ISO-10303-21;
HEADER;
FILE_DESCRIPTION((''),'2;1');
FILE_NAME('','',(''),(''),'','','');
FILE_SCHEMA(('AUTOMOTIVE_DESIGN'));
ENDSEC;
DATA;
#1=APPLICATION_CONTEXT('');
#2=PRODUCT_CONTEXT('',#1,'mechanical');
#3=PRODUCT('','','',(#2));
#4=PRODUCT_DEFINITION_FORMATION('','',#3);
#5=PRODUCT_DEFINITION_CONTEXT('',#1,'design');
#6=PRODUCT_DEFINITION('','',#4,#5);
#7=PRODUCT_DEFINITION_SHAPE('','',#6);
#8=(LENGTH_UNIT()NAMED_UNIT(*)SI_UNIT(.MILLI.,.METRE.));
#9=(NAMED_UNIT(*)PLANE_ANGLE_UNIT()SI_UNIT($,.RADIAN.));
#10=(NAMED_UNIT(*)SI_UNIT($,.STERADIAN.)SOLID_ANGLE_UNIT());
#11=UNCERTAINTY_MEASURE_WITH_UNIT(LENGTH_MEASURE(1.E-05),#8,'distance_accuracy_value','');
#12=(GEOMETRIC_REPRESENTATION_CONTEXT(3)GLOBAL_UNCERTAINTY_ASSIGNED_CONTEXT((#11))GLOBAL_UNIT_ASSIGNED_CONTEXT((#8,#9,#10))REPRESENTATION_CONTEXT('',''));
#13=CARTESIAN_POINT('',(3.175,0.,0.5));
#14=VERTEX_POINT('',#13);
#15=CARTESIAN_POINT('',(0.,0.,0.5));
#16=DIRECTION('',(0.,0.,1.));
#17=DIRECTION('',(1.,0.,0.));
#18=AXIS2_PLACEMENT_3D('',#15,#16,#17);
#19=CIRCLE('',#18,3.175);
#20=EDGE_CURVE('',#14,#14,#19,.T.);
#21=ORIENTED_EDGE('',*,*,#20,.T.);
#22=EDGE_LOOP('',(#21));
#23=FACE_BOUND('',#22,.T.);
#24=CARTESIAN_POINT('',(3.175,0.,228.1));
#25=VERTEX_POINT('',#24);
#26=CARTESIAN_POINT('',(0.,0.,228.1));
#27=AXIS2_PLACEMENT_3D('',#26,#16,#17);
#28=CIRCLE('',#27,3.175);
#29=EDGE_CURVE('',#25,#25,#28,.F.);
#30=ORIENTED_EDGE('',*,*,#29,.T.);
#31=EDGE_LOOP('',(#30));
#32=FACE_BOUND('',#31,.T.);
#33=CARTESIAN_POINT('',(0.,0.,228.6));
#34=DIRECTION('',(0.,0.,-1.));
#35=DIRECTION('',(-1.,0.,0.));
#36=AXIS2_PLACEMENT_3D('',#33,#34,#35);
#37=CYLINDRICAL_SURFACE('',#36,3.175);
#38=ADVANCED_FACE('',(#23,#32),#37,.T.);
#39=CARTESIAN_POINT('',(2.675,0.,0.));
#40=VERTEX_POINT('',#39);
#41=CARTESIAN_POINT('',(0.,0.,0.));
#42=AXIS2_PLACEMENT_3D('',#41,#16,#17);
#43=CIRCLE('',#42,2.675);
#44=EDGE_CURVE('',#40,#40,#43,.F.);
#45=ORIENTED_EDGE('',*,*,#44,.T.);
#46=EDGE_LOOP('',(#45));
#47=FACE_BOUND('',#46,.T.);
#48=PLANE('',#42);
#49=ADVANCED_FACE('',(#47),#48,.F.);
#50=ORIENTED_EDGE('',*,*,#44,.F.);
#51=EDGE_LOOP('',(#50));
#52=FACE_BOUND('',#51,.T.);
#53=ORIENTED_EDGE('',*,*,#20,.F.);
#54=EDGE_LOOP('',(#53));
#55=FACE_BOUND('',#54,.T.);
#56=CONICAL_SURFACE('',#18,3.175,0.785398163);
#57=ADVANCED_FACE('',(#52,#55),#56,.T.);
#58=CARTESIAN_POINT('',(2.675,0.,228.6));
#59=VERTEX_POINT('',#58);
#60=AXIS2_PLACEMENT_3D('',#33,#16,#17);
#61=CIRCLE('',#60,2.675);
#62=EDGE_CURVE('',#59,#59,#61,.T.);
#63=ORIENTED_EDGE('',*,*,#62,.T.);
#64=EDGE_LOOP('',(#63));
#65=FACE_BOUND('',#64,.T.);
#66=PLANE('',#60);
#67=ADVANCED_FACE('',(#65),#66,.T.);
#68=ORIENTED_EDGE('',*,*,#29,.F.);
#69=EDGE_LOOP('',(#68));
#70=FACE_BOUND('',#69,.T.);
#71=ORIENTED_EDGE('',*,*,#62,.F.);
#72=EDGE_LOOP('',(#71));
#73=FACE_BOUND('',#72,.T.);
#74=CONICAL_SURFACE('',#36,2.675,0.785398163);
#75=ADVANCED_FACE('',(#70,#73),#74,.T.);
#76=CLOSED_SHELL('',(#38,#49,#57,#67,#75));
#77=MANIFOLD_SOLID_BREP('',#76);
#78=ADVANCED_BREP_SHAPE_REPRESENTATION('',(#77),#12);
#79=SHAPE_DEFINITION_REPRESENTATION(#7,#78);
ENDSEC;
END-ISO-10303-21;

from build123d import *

# Parameters (mm, degrees)
SKETCH1_R           = 3.175
BOSS_EXTRUDE1_DEPTH = 228.6
CHAMFER1_SIZE       = 0.5


with BuildPart() as part:
    # Sketch1 → Boss-Extrude1 (new body)
    with BuildSketch(Plane.XY):
        Circle(SKETCH1_R)
    extrude(amount=BOSS_EXTRUDE1_DEPTH)

    # Chamfer1
    chamfer1_edges = [part.edges().sort_by_distance(p)[0] for p in [
        (-3.175, 0, 0),
        (-3.175, 0, 228.6),
    ]]
    chamfer(chamfer1_edges, length=CHAMFER1_SIZE)


solid = part.part
